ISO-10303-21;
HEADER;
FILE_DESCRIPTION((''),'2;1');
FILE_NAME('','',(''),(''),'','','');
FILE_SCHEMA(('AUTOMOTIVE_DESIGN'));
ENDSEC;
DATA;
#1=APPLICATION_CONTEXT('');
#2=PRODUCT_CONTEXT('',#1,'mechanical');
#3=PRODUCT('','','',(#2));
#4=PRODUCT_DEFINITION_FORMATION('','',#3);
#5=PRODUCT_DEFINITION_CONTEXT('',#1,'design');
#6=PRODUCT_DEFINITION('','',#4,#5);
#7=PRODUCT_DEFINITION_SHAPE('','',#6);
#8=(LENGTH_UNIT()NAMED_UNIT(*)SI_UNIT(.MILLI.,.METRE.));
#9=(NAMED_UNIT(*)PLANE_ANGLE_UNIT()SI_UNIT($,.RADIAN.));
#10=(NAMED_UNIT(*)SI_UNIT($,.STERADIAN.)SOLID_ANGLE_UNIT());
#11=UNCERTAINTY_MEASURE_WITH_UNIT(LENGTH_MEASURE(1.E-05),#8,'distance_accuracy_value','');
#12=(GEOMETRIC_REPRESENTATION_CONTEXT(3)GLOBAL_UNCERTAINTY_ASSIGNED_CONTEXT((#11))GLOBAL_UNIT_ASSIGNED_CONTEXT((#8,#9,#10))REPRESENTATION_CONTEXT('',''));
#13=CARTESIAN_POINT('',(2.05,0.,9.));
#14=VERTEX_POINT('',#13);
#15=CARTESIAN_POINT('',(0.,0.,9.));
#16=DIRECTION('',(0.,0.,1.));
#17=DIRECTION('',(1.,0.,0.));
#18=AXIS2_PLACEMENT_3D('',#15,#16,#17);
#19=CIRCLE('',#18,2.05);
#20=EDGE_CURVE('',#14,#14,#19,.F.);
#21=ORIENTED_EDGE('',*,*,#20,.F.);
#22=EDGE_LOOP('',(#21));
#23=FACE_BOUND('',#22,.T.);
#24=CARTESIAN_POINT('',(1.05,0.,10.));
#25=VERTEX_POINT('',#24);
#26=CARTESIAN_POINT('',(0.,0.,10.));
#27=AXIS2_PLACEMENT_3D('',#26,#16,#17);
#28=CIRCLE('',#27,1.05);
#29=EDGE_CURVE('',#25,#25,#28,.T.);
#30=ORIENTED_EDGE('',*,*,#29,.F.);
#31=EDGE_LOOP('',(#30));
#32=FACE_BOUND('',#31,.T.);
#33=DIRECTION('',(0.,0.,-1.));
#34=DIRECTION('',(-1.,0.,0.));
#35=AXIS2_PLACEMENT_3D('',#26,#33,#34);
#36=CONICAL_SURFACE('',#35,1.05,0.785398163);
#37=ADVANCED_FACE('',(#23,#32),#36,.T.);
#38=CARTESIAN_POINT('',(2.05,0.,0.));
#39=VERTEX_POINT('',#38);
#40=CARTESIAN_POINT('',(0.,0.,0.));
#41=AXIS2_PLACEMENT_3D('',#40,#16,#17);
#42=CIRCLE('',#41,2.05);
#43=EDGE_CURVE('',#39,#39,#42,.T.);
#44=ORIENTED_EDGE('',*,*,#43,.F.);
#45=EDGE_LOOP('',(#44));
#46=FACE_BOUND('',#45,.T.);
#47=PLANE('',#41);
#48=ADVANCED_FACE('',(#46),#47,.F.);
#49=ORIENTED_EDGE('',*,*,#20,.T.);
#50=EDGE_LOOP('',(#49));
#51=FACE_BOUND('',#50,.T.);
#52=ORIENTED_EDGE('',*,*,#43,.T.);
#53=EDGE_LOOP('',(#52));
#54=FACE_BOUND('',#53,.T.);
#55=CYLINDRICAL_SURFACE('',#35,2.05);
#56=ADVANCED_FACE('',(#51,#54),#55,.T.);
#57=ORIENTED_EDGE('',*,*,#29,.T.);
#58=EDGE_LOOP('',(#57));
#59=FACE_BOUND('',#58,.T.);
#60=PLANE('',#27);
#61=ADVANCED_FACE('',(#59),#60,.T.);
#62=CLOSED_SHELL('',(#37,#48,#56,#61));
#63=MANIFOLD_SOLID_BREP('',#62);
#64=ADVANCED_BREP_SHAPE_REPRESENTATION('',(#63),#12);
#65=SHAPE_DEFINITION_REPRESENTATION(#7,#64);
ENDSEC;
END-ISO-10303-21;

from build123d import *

# Parameters (mm, degrees)
SCHIZZO1_R                   = 2.05
ESTRUSIONE_ESTRUSIONE1_DEPTH = 10
SMUSSO1_SIZE                 = 1


with BuildPart() as part:
    # Schizzo1 → Estrusione-Estrusione1 (new body)
    with BuildSketch(Plane.XY):
        Circle(SCHIZZO1_R)
    extrude(amount=ESTRUSIONE_ESTRUSIONE1_DEPTH)

    # Smusso1
    smusso1_edges = [part.edges().sort_by_distance(p)[0] for p in [
        (-2.05, 0, 10),
    ]]
    chamfer(smusso1_edges, length=SMUSSO1_SIZE)


solid = part.part
